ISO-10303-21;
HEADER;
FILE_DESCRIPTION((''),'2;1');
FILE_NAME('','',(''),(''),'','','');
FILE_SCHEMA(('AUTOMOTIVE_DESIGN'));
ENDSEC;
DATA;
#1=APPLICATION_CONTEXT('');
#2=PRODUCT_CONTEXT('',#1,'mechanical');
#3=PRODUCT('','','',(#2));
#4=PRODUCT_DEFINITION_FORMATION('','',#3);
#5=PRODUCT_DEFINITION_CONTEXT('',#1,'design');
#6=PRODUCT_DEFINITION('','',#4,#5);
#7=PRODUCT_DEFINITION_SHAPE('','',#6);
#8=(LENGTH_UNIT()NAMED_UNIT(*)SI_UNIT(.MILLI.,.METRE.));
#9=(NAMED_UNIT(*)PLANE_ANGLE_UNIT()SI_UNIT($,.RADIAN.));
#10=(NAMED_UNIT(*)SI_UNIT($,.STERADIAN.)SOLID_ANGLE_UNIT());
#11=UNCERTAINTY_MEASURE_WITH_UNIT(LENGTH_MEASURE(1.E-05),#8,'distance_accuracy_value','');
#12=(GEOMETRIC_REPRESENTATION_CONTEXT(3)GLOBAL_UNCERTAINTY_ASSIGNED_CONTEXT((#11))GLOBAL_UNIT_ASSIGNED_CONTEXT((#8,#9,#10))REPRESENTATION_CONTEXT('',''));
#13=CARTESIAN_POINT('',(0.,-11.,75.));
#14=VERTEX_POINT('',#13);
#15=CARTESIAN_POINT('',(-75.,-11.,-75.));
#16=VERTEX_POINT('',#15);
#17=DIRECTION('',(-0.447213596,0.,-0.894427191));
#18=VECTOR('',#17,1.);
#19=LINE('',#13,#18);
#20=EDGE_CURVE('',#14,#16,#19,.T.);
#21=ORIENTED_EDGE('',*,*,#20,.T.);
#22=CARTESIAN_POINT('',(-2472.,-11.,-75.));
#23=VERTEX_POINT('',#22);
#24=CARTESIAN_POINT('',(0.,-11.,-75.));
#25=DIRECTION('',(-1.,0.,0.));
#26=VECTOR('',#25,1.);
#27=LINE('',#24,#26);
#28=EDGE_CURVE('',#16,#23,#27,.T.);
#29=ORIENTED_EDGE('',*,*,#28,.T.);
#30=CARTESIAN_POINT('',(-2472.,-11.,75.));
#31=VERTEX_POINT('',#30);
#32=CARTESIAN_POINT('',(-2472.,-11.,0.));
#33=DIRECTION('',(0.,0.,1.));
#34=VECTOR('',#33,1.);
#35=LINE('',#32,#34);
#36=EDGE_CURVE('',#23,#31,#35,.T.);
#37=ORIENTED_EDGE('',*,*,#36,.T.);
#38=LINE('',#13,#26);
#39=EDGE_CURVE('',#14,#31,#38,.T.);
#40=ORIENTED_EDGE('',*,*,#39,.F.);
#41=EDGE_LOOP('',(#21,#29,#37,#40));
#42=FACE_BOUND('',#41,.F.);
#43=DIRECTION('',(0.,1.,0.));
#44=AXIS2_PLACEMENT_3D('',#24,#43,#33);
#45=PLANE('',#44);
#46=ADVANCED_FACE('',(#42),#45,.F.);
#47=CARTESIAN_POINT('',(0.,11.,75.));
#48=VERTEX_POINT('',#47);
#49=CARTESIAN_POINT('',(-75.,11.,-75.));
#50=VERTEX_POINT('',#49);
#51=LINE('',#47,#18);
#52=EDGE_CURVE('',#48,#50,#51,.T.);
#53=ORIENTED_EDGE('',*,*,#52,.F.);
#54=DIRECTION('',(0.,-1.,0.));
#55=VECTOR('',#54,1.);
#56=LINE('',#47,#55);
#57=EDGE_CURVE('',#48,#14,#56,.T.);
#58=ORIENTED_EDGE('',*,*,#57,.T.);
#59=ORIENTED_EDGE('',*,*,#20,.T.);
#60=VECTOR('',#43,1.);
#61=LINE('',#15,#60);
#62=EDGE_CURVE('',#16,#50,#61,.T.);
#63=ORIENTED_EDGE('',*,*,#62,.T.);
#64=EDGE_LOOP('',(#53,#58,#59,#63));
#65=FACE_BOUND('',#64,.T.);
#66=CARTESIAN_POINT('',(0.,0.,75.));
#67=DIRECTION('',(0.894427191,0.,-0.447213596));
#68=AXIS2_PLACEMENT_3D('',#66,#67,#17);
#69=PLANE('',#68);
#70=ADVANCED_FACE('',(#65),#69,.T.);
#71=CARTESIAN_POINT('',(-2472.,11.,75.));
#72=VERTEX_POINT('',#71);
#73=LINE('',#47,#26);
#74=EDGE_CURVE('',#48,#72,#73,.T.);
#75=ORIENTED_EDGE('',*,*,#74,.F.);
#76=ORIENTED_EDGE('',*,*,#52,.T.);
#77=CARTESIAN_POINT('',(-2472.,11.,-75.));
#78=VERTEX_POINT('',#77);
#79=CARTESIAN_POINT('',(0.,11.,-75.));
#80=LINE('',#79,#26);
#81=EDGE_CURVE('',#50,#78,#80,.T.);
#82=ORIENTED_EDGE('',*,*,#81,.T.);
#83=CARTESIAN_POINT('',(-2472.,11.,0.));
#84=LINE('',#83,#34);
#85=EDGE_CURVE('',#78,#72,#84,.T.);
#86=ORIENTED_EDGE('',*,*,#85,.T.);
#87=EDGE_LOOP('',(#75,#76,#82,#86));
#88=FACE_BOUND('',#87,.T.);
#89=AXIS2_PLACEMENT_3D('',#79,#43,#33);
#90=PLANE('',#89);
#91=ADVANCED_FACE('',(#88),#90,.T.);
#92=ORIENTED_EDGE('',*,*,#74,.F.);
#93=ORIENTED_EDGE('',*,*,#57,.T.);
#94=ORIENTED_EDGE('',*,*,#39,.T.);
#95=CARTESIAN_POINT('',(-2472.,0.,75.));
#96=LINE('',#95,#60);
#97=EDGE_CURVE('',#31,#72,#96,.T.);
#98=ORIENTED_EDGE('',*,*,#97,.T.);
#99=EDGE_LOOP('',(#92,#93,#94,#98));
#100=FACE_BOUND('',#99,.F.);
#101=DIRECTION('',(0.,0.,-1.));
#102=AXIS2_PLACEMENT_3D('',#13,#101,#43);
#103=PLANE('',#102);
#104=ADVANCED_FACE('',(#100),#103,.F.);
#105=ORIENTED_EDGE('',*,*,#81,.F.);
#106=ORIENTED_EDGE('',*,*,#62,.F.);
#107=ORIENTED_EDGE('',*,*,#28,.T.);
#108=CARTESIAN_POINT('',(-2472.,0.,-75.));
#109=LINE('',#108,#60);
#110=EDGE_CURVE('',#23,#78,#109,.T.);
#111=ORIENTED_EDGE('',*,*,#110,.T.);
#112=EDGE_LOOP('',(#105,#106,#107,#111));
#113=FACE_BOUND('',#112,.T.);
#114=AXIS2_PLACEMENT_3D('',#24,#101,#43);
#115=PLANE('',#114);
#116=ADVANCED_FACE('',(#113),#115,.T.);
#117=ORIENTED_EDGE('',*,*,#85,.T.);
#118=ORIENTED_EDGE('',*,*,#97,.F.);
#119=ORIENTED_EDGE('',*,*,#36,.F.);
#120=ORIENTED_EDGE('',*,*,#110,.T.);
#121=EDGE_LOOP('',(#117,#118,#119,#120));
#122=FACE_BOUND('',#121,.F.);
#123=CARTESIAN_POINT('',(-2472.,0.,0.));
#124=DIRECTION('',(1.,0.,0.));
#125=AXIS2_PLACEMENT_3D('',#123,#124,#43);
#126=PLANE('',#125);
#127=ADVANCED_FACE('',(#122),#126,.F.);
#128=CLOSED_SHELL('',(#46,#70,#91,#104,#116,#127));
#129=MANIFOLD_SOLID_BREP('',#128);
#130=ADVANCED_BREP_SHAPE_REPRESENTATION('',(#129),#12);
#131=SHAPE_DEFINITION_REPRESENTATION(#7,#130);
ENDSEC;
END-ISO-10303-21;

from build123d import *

# Parameters (mm, degrees)
F0_W          = 22
F0_H          = 150
F1_DEPTH      = 2472
F3_DEPTH      = 11
F3_DEPTH_BACK = 11


with BuildPart() as f1:
    # F0 (on Right) → F1 (new body)
    with BuildSketch(Plane.YZ):
        Rectangle(F0_W, F0_H)
    extrude(amount=-F1_DEPTH)

    # F2 (on Front) → F3 (cut, two sides)
    with BuildSketch(Plane.XZ) as f3_sk:
        Polygon((0, -75), (0, 75), (-75, -75), align=None)
    extrude(amount=-F3_DEPTH, mode=Mode.SUBTRACT)
    extrude(f3_sk.sketch, amount=F3_DEPTH_BACK, mode=Mode.SUBTRACT)


solid = f1.part
